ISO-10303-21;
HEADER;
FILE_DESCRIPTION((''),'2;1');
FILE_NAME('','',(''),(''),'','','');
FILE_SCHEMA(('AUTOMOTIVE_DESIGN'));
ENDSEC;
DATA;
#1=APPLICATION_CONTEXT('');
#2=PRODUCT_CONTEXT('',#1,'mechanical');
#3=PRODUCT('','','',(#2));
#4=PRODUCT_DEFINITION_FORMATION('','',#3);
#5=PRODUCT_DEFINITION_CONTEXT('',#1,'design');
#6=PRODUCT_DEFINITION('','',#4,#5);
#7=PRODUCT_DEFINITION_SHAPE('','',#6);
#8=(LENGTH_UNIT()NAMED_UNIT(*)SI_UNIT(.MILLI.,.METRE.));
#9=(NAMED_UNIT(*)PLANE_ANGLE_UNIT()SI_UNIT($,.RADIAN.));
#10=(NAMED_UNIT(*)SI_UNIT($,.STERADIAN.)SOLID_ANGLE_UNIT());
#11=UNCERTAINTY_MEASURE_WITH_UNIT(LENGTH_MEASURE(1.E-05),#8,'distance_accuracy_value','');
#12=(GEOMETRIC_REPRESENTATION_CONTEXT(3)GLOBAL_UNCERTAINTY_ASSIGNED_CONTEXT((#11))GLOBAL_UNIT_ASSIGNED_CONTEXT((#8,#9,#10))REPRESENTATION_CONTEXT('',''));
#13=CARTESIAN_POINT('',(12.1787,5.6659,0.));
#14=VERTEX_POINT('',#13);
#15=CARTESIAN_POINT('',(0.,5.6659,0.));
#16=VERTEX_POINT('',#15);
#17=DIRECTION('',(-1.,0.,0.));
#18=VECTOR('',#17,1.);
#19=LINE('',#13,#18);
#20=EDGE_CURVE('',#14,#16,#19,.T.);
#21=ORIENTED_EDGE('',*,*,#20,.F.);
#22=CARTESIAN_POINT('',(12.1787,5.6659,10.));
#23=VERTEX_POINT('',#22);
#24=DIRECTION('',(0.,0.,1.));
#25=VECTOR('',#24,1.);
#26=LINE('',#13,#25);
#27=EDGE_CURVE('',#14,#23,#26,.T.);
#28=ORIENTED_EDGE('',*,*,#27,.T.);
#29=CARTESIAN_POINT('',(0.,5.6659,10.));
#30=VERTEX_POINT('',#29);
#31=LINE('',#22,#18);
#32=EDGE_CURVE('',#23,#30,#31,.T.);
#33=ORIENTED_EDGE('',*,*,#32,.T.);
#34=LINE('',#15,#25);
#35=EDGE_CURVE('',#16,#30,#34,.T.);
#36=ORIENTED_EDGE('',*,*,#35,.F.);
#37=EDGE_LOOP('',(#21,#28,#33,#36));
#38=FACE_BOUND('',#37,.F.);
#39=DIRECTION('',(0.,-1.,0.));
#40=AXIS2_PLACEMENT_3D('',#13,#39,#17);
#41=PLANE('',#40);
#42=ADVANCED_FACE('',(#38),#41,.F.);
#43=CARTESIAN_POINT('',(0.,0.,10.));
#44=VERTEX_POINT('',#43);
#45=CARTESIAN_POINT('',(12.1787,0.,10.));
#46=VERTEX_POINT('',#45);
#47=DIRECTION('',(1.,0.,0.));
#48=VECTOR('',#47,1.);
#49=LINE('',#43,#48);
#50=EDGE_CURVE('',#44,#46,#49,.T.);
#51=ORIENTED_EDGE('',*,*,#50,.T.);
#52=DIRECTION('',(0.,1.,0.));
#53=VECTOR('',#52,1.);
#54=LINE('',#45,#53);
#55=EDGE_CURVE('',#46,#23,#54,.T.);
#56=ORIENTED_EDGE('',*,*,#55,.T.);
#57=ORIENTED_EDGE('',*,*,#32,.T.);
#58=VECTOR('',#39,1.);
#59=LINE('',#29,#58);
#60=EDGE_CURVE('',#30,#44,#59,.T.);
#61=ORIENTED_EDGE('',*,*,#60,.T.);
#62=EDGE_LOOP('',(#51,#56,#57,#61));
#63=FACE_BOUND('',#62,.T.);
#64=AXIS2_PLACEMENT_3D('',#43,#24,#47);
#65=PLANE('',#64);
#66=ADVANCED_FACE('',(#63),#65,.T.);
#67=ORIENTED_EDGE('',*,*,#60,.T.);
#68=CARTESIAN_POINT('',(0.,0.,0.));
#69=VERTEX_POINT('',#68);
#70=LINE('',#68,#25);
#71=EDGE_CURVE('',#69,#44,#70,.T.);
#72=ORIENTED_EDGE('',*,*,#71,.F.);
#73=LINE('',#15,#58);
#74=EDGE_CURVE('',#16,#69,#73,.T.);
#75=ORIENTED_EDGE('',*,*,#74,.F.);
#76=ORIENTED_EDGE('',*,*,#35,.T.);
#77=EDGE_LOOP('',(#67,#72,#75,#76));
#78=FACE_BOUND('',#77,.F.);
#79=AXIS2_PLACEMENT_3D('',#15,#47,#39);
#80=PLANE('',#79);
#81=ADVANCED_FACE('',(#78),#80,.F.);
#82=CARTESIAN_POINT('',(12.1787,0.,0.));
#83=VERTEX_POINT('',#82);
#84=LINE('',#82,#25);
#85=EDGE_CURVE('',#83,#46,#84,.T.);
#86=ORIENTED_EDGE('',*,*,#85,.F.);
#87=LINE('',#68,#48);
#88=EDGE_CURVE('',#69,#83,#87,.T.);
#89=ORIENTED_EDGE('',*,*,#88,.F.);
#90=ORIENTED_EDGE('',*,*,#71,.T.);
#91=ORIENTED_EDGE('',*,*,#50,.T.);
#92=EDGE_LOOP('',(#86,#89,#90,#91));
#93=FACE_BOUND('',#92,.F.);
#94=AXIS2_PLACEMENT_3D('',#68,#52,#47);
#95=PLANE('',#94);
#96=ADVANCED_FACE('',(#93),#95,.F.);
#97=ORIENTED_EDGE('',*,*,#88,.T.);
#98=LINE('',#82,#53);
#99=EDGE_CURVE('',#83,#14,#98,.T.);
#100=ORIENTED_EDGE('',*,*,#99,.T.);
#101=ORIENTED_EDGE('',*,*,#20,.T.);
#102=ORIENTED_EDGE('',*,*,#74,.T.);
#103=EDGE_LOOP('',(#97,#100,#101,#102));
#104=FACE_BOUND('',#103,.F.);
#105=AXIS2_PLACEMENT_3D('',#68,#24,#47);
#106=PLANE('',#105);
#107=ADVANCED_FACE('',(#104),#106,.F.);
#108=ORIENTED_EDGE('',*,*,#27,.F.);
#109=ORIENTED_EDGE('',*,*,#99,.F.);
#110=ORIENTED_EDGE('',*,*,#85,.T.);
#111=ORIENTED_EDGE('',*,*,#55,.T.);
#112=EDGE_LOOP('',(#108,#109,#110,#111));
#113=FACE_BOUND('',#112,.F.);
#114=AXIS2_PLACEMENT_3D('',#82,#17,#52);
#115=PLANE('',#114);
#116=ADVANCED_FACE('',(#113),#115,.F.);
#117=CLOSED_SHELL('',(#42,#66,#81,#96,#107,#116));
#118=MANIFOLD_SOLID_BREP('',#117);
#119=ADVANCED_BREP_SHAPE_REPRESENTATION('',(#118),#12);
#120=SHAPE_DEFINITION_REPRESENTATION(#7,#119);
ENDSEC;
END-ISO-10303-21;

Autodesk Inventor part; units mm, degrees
ref_plane "YZ Plane" through (0, 0, 0) normal (1, 0, 0) x (0, 1, 0)
ref_plane "XZ Plane" through (0, 0, 0) normal (0, 1, 0) x (-1, 0, 0)
ref_plane "XY Plane" through (0, 0, 0) normal (0, 0, 1) x (1, 0, 0)
sketch "Sketch1" plane through (0, 0, 0) normal (0, 0, 1) x (1, 0, 0)
  line L0 (0, 0) -> (12.1787, 0)
  line L1 (12.1787, 0) -> (12.1787, 5.6659)
  line L2 (12.1787, 5.6659) -> (0, 5.6659)
  line L3 (0, 5.6659) -> (0, 0)
extrude "Extrusion1" add sketch "Sketch1" along normal blind 10
